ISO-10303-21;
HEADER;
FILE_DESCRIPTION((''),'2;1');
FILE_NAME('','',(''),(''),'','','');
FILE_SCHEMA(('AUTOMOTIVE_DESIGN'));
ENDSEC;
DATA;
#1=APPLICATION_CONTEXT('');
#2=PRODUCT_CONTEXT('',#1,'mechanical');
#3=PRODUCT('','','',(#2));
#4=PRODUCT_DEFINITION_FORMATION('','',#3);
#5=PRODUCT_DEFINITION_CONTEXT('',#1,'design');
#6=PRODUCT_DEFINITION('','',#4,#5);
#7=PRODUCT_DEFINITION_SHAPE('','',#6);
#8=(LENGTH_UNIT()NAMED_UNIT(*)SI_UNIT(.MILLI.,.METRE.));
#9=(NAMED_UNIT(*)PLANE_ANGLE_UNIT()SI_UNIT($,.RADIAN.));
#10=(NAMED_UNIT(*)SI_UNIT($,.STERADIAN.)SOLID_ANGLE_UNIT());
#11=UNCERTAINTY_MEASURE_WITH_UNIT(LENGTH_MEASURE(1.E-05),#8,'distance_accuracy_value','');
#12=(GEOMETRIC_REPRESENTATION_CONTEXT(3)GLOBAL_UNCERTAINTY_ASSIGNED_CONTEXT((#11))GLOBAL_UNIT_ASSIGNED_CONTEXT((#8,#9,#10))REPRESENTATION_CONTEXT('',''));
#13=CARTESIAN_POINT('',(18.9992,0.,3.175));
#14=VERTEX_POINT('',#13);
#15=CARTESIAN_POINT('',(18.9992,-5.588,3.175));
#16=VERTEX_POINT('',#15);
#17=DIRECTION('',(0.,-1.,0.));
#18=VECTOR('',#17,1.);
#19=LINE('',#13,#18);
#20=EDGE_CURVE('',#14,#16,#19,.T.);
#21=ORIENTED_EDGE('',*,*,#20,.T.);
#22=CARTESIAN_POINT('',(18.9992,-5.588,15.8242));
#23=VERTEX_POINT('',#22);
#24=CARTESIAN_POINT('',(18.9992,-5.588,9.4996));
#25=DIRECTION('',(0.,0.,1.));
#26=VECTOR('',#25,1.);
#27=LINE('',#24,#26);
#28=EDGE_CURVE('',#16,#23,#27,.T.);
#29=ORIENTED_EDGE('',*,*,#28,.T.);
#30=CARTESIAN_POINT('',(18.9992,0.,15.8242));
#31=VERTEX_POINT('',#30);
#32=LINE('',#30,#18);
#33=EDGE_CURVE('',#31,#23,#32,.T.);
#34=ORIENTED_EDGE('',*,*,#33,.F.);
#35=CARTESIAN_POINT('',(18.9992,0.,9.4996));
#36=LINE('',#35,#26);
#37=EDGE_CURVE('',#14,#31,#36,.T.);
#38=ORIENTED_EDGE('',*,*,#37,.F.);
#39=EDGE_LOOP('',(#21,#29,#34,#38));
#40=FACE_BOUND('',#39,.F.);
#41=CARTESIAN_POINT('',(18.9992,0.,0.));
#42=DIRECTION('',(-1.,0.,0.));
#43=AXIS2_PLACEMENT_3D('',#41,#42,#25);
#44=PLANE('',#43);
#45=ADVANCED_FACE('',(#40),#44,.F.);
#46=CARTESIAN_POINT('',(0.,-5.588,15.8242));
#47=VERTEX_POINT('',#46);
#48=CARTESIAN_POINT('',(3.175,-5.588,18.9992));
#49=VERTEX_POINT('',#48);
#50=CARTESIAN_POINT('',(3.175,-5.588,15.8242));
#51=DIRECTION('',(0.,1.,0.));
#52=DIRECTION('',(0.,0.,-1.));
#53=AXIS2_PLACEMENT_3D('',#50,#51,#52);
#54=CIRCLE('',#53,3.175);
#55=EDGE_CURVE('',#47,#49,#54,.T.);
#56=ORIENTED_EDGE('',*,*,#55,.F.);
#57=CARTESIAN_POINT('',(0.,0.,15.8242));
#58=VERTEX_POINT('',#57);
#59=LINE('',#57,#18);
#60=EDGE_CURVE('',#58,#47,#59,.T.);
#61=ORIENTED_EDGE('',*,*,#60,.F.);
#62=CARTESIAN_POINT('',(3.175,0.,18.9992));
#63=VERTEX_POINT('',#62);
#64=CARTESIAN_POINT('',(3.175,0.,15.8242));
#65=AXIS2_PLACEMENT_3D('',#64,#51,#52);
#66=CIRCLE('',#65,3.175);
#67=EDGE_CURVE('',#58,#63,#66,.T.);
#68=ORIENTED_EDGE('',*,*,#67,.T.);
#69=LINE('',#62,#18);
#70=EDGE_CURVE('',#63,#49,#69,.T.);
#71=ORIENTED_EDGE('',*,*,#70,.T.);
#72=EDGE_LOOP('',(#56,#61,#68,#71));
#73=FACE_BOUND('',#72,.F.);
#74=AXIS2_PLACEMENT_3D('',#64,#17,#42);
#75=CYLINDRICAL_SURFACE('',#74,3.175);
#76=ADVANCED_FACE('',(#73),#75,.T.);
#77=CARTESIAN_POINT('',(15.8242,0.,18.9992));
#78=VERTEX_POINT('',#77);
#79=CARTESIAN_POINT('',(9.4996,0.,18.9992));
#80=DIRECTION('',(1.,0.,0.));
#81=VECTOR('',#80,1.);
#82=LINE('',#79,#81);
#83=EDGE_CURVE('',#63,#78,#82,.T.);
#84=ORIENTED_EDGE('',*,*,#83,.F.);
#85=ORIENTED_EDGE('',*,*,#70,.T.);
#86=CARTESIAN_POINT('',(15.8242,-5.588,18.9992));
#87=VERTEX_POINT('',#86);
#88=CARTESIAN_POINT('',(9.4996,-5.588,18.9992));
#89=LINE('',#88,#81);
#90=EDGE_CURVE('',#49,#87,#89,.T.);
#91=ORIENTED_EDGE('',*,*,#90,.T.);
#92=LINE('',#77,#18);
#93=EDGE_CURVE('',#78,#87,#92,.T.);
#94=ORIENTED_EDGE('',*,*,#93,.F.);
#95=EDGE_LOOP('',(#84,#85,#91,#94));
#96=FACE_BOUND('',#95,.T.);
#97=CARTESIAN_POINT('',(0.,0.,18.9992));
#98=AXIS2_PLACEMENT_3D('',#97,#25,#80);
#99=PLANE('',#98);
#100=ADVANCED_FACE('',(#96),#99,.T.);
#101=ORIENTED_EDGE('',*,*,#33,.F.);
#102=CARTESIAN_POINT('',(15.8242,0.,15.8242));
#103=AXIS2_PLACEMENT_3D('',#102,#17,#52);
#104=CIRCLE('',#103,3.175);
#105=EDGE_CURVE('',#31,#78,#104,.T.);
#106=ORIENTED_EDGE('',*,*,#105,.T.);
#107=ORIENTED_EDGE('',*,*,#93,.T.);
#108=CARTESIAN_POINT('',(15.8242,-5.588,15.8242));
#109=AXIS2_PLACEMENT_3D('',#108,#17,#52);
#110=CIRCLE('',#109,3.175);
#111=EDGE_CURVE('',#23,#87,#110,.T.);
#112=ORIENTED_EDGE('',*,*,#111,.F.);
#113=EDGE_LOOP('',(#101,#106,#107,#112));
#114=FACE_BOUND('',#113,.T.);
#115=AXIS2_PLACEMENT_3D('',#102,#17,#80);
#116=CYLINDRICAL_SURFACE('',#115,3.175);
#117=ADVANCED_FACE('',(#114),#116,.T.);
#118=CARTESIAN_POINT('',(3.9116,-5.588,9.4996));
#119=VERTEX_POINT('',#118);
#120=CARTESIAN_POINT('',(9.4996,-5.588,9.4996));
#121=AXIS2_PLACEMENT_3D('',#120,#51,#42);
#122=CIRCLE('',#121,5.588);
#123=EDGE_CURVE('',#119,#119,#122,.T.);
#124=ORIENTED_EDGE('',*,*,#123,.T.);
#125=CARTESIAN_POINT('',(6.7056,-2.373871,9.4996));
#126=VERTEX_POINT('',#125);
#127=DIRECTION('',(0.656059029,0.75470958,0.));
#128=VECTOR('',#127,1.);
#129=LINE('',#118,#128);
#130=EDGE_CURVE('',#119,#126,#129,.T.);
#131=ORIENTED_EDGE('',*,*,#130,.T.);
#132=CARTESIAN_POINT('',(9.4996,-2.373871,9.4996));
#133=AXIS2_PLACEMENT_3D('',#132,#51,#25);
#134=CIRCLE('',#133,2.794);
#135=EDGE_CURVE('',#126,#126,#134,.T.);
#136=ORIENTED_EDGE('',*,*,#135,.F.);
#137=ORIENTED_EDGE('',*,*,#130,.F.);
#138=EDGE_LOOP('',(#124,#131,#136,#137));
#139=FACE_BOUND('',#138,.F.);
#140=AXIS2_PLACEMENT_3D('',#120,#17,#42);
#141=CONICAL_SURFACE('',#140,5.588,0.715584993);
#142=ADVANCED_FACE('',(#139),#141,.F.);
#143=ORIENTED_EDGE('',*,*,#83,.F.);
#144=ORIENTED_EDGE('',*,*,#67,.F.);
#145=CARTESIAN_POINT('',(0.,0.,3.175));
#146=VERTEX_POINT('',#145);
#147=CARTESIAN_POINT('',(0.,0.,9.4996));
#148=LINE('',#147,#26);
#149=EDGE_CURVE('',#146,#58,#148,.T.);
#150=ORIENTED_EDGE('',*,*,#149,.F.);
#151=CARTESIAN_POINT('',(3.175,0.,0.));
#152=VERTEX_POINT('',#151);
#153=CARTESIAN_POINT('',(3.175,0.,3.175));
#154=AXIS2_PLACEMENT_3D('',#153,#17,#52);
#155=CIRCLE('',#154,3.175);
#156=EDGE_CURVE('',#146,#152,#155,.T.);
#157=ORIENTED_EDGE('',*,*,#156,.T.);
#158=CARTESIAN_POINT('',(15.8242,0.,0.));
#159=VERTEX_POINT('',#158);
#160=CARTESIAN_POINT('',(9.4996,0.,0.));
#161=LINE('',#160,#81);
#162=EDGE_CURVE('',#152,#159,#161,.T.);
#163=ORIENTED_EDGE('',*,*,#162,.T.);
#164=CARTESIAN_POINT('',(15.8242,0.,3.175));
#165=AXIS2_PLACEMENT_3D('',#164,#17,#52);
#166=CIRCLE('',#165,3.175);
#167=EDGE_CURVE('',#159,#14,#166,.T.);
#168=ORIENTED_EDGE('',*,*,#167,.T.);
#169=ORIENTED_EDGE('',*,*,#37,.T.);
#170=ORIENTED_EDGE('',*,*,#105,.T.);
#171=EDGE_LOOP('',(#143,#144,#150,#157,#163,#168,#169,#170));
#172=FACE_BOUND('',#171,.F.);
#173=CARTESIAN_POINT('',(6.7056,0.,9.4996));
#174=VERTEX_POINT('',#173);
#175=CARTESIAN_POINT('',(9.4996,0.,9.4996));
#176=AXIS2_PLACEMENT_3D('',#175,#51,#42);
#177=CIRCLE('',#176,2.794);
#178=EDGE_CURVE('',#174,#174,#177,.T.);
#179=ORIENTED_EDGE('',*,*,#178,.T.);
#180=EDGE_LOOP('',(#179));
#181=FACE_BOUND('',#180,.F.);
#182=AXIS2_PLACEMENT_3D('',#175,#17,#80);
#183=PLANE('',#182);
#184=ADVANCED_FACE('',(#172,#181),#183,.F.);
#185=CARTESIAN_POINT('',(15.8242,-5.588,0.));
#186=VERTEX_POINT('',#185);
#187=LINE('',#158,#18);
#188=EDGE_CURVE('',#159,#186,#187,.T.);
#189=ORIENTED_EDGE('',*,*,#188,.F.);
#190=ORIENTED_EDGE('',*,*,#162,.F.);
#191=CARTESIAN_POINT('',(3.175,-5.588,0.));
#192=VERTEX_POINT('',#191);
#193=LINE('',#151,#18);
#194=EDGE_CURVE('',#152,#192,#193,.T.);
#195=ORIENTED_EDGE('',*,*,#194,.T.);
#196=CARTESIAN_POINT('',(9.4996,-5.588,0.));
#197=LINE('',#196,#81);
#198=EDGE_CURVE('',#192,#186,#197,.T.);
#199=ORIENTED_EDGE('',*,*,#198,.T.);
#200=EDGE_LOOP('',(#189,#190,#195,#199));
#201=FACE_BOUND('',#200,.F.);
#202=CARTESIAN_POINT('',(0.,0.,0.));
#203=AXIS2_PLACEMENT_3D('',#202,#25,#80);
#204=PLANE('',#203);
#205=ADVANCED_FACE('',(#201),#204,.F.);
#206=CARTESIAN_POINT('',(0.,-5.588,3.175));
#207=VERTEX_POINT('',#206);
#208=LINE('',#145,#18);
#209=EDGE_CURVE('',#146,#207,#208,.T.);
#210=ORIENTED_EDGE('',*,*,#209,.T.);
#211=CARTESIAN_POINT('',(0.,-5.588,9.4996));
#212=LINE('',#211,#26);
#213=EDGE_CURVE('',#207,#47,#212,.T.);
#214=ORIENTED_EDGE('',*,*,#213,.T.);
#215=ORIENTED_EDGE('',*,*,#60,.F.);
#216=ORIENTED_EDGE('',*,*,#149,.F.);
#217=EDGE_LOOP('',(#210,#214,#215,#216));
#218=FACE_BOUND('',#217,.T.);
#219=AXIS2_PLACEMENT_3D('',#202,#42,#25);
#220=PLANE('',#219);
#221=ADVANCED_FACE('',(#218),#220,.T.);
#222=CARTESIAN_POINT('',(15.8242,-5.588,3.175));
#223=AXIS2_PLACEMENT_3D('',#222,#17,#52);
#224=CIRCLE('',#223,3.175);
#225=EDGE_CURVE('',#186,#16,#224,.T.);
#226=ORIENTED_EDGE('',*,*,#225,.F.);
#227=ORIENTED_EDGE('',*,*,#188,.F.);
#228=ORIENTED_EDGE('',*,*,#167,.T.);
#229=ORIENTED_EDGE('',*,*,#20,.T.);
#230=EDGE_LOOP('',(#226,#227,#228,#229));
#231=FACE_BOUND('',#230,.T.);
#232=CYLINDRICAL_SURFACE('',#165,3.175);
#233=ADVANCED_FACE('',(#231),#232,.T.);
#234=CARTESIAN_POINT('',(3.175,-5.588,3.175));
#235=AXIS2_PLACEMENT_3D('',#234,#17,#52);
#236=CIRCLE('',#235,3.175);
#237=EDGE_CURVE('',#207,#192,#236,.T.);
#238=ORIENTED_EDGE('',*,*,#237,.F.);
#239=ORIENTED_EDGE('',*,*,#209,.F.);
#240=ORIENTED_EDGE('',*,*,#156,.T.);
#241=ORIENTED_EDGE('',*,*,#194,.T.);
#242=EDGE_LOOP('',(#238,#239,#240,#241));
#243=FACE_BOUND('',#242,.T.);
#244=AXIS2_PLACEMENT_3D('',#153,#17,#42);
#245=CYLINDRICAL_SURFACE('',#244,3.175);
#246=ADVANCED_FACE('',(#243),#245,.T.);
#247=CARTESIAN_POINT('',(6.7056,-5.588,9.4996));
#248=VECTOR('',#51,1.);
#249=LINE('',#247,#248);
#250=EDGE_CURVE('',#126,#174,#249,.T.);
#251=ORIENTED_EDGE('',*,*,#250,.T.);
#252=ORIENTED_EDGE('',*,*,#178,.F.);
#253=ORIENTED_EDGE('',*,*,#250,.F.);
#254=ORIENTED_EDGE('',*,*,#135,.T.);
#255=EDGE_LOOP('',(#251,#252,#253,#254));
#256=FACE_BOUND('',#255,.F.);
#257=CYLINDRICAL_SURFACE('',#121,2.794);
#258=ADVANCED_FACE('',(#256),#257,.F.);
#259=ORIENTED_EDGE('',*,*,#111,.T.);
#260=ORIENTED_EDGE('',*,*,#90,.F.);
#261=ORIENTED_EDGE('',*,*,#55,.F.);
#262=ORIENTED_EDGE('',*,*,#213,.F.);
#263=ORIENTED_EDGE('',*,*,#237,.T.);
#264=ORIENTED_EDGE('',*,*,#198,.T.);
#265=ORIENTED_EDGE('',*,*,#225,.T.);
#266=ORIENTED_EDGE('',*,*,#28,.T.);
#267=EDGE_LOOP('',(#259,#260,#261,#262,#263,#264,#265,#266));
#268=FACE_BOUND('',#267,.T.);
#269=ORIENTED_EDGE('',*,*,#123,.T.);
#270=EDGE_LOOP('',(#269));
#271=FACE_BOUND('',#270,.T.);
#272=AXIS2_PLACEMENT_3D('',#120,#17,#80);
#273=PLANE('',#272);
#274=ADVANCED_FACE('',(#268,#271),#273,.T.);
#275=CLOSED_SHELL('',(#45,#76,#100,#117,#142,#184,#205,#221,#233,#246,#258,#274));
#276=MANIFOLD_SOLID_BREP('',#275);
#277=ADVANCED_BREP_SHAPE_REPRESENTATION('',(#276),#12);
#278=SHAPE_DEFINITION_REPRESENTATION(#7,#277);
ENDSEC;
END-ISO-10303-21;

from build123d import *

# Parameters (mm, degrees)
F0_W           = 18.9992
F0_H           = 18.9992
F1_DEPTH       = 5.588
F2_R           = 3.175
F4_D           = 5.588
F4_CSINK_D     = 11.176
F4_CSINK_ANGLE = 82


with BuildPart() as f1:
    # F0 (on Front) → F1 (new body)
    with BuildSketch(Plane.XZ):
        with Locations((9.4996, 9.4996)):
            Rectangle(F0_W, F0_H)
    extrude(amount=F1_DEPTH)

    # F2
    f2_edges = [f1.edges().sort_by_distance(p)[0] for p in [
        (0, -2.794, 18.9992),
        (18.9992, -2.794, 18.9992),
        (18.9992, -2.794, 0),
        (0, -2.794, 0),
    ]]
    fillet(f2_edges, radius=F2_R)

    # F4 (through all)
    with Locations(Plane.XZ.offset(5.588)):
        with Locations((9.4996, 9.4996)):
            CounterSinkHole(F4_D / 2, F4_CSINK_D / 2, counter_sink_angle=F4_CSINK_ANGLE)


solid = f1.part
